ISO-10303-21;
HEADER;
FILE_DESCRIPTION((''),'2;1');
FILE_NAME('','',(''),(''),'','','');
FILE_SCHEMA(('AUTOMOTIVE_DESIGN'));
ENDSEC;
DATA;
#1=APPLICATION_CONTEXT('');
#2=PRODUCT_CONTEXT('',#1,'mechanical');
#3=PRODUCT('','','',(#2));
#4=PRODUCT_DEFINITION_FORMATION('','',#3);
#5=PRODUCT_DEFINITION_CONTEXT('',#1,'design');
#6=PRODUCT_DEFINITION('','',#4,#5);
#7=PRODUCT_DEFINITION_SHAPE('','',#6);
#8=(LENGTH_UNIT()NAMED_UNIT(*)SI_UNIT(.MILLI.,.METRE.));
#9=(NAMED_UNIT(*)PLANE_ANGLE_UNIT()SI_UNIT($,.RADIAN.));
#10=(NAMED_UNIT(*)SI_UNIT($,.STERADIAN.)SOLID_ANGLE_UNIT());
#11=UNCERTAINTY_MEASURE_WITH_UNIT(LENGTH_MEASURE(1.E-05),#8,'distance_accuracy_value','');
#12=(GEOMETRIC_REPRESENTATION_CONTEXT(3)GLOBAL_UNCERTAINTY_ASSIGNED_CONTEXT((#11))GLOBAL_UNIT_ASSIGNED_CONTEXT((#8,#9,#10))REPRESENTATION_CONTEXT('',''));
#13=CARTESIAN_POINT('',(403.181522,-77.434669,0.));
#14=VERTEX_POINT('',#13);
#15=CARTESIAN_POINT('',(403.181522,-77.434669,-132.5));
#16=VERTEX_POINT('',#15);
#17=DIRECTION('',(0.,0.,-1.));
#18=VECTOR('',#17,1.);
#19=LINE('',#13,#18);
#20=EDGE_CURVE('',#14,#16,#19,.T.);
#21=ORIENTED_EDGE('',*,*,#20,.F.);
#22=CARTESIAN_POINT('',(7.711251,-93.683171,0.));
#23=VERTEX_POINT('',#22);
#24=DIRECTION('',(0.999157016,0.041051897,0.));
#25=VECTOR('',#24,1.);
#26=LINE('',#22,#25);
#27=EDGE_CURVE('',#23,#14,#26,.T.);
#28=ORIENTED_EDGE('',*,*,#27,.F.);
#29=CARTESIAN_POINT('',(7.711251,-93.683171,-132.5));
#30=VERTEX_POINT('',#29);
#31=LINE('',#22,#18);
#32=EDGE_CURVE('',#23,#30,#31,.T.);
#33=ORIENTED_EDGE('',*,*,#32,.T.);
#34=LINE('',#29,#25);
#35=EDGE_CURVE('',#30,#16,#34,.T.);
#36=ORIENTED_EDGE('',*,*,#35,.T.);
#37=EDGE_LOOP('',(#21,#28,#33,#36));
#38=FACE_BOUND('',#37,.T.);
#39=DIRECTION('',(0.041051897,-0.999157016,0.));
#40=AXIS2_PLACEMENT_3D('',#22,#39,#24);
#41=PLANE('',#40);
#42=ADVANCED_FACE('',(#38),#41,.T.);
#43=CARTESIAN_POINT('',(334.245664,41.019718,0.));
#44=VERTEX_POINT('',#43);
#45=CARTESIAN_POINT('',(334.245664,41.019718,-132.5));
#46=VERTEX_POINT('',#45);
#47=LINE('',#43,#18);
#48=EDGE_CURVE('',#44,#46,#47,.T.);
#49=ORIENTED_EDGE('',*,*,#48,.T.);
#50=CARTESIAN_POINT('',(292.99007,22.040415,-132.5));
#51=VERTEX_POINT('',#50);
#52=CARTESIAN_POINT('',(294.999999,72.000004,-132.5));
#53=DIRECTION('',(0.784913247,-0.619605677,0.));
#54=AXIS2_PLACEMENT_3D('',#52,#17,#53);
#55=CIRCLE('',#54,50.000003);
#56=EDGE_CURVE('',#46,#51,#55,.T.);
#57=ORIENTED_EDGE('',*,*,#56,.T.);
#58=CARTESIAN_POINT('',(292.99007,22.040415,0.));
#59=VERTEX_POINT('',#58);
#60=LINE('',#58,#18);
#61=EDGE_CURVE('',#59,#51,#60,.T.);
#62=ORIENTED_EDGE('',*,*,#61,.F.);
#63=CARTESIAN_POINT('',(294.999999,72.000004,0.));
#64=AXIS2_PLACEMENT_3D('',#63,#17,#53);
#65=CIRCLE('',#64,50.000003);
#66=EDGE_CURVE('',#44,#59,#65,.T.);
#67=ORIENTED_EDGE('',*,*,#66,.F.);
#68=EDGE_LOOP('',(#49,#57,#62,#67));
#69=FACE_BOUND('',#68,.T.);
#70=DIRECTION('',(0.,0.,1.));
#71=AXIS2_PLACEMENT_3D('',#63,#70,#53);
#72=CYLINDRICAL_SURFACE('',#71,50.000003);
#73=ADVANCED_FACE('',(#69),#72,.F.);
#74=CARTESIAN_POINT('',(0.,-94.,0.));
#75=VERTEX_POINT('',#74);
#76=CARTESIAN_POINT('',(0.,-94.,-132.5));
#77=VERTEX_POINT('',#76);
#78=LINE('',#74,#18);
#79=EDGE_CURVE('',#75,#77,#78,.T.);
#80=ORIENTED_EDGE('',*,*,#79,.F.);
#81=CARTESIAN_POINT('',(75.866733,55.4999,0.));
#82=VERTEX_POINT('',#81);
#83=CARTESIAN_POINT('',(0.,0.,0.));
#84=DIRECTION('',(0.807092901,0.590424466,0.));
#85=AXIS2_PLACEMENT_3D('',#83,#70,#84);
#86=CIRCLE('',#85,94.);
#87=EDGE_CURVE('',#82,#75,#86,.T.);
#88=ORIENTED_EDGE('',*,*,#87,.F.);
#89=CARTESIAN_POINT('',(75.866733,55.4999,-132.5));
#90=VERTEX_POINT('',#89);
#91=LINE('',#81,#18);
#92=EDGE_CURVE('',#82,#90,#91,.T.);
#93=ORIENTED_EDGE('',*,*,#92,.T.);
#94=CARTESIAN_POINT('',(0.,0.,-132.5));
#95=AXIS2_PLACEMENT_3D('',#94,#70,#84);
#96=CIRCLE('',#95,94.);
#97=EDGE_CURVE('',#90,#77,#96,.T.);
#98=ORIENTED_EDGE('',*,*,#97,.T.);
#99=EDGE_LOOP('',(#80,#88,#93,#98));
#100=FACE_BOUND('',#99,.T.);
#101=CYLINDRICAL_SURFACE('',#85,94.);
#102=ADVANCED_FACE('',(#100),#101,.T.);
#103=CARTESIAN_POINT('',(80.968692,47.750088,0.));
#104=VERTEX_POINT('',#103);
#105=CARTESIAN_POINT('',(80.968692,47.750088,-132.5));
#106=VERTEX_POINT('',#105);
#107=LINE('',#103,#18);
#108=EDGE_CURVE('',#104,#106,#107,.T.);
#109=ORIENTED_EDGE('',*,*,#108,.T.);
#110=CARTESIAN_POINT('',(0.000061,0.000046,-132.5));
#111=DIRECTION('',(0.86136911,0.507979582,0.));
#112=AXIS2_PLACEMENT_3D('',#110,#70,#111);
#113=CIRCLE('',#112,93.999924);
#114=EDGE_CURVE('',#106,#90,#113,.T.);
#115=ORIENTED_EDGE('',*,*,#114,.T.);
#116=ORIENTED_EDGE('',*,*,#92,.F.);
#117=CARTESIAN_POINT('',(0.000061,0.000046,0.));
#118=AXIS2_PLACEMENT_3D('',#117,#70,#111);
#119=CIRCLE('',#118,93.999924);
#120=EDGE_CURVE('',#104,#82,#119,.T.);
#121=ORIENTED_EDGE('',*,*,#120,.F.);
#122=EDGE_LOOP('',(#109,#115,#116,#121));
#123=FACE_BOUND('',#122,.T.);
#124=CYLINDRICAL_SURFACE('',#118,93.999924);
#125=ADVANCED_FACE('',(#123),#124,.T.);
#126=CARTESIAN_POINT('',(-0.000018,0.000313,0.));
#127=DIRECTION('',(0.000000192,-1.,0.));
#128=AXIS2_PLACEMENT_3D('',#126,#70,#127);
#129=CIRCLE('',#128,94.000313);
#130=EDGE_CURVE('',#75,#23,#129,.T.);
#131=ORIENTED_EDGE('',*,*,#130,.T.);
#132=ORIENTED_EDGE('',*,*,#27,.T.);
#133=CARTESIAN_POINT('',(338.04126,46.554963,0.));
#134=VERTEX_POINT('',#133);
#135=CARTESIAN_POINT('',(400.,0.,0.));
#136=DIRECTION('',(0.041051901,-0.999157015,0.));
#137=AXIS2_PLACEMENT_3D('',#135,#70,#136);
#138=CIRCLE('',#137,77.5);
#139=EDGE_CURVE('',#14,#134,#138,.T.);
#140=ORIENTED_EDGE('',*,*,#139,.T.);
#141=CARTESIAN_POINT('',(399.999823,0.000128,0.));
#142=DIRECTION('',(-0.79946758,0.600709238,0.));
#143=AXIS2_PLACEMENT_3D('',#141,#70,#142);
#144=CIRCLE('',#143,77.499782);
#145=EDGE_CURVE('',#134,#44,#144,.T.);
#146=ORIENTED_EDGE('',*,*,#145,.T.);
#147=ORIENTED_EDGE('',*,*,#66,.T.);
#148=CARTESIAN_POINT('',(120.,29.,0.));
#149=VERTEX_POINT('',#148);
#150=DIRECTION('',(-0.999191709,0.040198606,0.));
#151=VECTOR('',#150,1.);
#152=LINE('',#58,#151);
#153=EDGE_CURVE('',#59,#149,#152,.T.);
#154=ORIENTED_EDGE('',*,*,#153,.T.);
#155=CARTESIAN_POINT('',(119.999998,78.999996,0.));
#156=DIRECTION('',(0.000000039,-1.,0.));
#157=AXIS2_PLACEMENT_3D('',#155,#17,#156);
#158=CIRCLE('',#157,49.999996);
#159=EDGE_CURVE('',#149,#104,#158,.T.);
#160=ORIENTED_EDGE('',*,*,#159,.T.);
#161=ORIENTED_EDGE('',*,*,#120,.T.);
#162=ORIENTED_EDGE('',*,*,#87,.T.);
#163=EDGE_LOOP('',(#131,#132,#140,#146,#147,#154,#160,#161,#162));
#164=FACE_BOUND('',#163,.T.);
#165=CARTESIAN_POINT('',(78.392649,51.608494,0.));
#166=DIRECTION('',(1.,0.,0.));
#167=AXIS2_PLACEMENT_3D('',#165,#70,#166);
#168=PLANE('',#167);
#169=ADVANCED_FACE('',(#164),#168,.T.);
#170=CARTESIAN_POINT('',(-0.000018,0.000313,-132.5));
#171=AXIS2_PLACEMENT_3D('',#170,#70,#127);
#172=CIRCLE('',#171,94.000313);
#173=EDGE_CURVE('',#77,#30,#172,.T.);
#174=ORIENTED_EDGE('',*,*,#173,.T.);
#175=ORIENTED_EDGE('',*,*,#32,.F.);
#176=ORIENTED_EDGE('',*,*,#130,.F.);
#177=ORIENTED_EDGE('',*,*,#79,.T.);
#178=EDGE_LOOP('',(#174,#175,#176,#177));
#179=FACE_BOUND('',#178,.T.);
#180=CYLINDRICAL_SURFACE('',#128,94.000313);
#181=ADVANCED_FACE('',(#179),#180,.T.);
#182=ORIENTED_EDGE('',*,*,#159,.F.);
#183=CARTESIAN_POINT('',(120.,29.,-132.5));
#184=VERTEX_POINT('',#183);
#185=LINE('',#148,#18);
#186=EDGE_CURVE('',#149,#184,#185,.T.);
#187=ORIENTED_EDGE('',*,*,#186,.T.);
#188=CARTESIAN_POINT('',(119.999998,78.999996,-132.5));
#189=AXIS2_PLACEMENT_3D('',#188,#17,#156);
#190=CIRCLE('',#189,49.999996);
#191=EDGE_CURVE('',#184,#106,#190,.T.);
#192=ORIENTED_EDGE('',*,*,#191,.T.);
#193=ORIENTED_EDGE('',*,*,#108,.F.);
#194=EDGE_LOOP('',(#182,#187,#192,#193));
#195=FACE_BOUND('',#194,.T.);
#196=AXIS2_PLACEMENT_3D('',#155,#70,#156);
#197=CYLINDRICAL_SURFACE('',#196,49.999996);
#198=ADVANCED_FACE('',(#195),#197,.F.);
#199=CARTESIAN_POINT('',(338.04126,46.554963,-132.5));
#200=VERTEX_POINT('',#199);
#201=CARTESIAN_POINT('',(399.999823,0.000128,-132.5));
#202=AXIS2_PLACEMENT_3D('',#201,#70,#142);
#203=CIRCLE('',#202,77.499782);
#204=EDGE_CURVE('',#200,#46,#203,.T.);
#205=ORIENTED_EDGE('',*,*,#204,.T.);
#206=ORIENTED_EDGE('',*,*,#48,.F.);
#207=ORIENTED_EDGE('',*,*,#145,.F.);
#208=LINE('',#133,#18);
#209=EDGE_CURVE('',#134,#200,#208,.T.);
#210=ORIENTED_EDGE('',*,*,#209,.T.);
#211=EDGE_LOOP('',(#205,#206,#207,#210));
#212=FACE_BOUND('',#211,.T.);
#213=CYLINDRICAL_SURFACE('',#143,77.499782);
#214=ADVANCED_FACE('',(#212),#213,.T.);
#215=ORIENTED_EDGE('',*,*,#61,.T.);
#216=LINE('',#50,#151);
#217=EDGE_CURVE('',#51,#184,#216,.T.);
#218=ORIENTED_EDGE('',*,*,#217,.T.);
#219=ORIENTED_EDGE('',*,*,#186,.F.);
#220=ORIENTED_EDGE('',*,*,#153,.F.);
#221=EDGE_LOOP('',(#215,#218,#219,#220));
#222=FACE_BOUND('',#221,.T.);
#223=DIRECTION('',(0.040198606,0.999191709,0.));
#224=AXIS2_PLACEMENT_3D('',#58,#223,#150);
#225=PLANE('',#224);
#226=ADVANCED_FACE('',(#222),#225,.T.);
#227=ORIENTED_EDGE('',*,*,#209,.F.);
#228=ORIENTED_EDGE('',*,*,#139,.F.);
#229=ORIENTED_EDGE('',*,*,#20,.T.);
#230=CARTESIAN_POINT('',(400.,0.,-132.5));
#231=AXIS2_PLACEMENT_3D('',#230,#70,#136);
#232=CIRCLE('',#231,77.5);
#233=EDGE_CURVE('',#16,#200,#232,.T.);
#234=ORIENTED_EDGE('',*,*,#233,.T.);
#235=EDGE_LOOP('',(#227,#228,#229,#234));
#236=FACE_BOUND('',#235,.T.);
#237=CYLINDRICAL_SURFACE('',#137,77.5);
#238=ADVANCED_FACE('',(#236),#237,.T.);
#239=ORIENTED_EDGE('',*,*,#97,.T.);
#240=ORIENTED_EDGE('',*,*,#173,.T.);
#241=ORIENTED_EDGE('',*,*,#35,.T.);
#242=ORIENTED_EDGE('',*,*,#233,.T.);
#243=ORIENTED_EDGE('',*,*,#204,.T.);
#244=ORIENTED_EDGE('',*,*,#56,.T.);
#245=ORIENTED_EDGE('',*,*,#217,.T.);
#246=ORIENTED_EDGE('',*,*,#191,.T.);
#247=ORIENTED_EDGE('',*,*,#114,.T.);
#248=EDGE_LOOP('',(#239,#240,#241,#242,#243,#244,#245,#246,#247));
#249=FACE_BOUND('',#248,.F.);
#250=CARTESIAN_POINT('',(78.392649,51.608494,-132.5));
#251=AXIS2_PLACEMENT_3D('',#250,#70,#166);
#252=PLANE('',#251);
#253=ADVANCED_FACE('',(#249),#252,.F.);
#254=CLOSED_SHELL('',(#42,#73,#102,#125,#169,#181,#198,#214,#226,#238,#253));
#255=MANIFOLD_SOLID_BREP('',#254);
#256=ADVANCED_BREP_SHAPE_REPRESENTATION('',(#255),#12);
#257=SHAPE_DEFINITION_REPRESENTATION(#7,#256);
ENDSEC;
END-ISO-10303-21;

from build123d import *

# Parameters (mm, degrees)
F1_DEPTH = 132.5


with BuildPart() as f1:
    # F0 (on Top) → F1 (new body)
    with BuildSketch(Plane.XY):
        with BuildLine():
            ThreePointArc((75.866733, 55.4999), (78.237558, 51.506392), (80.968692, 47.750088))
            ThreePointArc((80.968692, 47.750088), (78.513391, 51.687982), (75.866733, 55.4999))
        make_face()
        with BuildLine():
            ThreePointArc((120, 29), (98.349314, 33.930633), (80.968692, 47.750088))
            ThreePointArc((80.968692, 47.750088), (78.237558, 51.506392), (75.866733, 55.4999))
            ThreePointArc((75.866733, 55.4999), (-83.824193, 42.538273), (0, -94))
            Line((0, -94), (7.711251, -93.683171))
            Line((7.711251, -93.683171), (403.181522, -77.434669))
            ThreePointArc((403.181522, -77.434669), (468.607926, 36.044451), (338.04126, 46.554963))
            ThreePointArc((338.04126, 46.554963), (336.236443, 43.723582), (334.245664, 41.019718))
            ThreePointArc((334.245664, 41.019718), (315.896852, 26.576201), (292.99007, 22.040415))
            Line((292.99007, 22.040415), (120, 29))
        make_face()
        with BuildLine():
            Line((7.711251, -93.683171), (0, -94))
            ThreePointArc((0, -94), (3.858878, -93.920759), (7.711251, -93.683171))
        make_face()
        with BuildLine():
            ThreePointArc((338.04126, 46.554963), (336.083514, 43.828448), (334.245664, 41.019718))
            ThreePointArc((334.245664, 41.019718), (336.236443, 43.723582), (338.04126, 46.554963))
        make_face()
    extrude(amount=-F1_DEPTH)


solid = f1.part
